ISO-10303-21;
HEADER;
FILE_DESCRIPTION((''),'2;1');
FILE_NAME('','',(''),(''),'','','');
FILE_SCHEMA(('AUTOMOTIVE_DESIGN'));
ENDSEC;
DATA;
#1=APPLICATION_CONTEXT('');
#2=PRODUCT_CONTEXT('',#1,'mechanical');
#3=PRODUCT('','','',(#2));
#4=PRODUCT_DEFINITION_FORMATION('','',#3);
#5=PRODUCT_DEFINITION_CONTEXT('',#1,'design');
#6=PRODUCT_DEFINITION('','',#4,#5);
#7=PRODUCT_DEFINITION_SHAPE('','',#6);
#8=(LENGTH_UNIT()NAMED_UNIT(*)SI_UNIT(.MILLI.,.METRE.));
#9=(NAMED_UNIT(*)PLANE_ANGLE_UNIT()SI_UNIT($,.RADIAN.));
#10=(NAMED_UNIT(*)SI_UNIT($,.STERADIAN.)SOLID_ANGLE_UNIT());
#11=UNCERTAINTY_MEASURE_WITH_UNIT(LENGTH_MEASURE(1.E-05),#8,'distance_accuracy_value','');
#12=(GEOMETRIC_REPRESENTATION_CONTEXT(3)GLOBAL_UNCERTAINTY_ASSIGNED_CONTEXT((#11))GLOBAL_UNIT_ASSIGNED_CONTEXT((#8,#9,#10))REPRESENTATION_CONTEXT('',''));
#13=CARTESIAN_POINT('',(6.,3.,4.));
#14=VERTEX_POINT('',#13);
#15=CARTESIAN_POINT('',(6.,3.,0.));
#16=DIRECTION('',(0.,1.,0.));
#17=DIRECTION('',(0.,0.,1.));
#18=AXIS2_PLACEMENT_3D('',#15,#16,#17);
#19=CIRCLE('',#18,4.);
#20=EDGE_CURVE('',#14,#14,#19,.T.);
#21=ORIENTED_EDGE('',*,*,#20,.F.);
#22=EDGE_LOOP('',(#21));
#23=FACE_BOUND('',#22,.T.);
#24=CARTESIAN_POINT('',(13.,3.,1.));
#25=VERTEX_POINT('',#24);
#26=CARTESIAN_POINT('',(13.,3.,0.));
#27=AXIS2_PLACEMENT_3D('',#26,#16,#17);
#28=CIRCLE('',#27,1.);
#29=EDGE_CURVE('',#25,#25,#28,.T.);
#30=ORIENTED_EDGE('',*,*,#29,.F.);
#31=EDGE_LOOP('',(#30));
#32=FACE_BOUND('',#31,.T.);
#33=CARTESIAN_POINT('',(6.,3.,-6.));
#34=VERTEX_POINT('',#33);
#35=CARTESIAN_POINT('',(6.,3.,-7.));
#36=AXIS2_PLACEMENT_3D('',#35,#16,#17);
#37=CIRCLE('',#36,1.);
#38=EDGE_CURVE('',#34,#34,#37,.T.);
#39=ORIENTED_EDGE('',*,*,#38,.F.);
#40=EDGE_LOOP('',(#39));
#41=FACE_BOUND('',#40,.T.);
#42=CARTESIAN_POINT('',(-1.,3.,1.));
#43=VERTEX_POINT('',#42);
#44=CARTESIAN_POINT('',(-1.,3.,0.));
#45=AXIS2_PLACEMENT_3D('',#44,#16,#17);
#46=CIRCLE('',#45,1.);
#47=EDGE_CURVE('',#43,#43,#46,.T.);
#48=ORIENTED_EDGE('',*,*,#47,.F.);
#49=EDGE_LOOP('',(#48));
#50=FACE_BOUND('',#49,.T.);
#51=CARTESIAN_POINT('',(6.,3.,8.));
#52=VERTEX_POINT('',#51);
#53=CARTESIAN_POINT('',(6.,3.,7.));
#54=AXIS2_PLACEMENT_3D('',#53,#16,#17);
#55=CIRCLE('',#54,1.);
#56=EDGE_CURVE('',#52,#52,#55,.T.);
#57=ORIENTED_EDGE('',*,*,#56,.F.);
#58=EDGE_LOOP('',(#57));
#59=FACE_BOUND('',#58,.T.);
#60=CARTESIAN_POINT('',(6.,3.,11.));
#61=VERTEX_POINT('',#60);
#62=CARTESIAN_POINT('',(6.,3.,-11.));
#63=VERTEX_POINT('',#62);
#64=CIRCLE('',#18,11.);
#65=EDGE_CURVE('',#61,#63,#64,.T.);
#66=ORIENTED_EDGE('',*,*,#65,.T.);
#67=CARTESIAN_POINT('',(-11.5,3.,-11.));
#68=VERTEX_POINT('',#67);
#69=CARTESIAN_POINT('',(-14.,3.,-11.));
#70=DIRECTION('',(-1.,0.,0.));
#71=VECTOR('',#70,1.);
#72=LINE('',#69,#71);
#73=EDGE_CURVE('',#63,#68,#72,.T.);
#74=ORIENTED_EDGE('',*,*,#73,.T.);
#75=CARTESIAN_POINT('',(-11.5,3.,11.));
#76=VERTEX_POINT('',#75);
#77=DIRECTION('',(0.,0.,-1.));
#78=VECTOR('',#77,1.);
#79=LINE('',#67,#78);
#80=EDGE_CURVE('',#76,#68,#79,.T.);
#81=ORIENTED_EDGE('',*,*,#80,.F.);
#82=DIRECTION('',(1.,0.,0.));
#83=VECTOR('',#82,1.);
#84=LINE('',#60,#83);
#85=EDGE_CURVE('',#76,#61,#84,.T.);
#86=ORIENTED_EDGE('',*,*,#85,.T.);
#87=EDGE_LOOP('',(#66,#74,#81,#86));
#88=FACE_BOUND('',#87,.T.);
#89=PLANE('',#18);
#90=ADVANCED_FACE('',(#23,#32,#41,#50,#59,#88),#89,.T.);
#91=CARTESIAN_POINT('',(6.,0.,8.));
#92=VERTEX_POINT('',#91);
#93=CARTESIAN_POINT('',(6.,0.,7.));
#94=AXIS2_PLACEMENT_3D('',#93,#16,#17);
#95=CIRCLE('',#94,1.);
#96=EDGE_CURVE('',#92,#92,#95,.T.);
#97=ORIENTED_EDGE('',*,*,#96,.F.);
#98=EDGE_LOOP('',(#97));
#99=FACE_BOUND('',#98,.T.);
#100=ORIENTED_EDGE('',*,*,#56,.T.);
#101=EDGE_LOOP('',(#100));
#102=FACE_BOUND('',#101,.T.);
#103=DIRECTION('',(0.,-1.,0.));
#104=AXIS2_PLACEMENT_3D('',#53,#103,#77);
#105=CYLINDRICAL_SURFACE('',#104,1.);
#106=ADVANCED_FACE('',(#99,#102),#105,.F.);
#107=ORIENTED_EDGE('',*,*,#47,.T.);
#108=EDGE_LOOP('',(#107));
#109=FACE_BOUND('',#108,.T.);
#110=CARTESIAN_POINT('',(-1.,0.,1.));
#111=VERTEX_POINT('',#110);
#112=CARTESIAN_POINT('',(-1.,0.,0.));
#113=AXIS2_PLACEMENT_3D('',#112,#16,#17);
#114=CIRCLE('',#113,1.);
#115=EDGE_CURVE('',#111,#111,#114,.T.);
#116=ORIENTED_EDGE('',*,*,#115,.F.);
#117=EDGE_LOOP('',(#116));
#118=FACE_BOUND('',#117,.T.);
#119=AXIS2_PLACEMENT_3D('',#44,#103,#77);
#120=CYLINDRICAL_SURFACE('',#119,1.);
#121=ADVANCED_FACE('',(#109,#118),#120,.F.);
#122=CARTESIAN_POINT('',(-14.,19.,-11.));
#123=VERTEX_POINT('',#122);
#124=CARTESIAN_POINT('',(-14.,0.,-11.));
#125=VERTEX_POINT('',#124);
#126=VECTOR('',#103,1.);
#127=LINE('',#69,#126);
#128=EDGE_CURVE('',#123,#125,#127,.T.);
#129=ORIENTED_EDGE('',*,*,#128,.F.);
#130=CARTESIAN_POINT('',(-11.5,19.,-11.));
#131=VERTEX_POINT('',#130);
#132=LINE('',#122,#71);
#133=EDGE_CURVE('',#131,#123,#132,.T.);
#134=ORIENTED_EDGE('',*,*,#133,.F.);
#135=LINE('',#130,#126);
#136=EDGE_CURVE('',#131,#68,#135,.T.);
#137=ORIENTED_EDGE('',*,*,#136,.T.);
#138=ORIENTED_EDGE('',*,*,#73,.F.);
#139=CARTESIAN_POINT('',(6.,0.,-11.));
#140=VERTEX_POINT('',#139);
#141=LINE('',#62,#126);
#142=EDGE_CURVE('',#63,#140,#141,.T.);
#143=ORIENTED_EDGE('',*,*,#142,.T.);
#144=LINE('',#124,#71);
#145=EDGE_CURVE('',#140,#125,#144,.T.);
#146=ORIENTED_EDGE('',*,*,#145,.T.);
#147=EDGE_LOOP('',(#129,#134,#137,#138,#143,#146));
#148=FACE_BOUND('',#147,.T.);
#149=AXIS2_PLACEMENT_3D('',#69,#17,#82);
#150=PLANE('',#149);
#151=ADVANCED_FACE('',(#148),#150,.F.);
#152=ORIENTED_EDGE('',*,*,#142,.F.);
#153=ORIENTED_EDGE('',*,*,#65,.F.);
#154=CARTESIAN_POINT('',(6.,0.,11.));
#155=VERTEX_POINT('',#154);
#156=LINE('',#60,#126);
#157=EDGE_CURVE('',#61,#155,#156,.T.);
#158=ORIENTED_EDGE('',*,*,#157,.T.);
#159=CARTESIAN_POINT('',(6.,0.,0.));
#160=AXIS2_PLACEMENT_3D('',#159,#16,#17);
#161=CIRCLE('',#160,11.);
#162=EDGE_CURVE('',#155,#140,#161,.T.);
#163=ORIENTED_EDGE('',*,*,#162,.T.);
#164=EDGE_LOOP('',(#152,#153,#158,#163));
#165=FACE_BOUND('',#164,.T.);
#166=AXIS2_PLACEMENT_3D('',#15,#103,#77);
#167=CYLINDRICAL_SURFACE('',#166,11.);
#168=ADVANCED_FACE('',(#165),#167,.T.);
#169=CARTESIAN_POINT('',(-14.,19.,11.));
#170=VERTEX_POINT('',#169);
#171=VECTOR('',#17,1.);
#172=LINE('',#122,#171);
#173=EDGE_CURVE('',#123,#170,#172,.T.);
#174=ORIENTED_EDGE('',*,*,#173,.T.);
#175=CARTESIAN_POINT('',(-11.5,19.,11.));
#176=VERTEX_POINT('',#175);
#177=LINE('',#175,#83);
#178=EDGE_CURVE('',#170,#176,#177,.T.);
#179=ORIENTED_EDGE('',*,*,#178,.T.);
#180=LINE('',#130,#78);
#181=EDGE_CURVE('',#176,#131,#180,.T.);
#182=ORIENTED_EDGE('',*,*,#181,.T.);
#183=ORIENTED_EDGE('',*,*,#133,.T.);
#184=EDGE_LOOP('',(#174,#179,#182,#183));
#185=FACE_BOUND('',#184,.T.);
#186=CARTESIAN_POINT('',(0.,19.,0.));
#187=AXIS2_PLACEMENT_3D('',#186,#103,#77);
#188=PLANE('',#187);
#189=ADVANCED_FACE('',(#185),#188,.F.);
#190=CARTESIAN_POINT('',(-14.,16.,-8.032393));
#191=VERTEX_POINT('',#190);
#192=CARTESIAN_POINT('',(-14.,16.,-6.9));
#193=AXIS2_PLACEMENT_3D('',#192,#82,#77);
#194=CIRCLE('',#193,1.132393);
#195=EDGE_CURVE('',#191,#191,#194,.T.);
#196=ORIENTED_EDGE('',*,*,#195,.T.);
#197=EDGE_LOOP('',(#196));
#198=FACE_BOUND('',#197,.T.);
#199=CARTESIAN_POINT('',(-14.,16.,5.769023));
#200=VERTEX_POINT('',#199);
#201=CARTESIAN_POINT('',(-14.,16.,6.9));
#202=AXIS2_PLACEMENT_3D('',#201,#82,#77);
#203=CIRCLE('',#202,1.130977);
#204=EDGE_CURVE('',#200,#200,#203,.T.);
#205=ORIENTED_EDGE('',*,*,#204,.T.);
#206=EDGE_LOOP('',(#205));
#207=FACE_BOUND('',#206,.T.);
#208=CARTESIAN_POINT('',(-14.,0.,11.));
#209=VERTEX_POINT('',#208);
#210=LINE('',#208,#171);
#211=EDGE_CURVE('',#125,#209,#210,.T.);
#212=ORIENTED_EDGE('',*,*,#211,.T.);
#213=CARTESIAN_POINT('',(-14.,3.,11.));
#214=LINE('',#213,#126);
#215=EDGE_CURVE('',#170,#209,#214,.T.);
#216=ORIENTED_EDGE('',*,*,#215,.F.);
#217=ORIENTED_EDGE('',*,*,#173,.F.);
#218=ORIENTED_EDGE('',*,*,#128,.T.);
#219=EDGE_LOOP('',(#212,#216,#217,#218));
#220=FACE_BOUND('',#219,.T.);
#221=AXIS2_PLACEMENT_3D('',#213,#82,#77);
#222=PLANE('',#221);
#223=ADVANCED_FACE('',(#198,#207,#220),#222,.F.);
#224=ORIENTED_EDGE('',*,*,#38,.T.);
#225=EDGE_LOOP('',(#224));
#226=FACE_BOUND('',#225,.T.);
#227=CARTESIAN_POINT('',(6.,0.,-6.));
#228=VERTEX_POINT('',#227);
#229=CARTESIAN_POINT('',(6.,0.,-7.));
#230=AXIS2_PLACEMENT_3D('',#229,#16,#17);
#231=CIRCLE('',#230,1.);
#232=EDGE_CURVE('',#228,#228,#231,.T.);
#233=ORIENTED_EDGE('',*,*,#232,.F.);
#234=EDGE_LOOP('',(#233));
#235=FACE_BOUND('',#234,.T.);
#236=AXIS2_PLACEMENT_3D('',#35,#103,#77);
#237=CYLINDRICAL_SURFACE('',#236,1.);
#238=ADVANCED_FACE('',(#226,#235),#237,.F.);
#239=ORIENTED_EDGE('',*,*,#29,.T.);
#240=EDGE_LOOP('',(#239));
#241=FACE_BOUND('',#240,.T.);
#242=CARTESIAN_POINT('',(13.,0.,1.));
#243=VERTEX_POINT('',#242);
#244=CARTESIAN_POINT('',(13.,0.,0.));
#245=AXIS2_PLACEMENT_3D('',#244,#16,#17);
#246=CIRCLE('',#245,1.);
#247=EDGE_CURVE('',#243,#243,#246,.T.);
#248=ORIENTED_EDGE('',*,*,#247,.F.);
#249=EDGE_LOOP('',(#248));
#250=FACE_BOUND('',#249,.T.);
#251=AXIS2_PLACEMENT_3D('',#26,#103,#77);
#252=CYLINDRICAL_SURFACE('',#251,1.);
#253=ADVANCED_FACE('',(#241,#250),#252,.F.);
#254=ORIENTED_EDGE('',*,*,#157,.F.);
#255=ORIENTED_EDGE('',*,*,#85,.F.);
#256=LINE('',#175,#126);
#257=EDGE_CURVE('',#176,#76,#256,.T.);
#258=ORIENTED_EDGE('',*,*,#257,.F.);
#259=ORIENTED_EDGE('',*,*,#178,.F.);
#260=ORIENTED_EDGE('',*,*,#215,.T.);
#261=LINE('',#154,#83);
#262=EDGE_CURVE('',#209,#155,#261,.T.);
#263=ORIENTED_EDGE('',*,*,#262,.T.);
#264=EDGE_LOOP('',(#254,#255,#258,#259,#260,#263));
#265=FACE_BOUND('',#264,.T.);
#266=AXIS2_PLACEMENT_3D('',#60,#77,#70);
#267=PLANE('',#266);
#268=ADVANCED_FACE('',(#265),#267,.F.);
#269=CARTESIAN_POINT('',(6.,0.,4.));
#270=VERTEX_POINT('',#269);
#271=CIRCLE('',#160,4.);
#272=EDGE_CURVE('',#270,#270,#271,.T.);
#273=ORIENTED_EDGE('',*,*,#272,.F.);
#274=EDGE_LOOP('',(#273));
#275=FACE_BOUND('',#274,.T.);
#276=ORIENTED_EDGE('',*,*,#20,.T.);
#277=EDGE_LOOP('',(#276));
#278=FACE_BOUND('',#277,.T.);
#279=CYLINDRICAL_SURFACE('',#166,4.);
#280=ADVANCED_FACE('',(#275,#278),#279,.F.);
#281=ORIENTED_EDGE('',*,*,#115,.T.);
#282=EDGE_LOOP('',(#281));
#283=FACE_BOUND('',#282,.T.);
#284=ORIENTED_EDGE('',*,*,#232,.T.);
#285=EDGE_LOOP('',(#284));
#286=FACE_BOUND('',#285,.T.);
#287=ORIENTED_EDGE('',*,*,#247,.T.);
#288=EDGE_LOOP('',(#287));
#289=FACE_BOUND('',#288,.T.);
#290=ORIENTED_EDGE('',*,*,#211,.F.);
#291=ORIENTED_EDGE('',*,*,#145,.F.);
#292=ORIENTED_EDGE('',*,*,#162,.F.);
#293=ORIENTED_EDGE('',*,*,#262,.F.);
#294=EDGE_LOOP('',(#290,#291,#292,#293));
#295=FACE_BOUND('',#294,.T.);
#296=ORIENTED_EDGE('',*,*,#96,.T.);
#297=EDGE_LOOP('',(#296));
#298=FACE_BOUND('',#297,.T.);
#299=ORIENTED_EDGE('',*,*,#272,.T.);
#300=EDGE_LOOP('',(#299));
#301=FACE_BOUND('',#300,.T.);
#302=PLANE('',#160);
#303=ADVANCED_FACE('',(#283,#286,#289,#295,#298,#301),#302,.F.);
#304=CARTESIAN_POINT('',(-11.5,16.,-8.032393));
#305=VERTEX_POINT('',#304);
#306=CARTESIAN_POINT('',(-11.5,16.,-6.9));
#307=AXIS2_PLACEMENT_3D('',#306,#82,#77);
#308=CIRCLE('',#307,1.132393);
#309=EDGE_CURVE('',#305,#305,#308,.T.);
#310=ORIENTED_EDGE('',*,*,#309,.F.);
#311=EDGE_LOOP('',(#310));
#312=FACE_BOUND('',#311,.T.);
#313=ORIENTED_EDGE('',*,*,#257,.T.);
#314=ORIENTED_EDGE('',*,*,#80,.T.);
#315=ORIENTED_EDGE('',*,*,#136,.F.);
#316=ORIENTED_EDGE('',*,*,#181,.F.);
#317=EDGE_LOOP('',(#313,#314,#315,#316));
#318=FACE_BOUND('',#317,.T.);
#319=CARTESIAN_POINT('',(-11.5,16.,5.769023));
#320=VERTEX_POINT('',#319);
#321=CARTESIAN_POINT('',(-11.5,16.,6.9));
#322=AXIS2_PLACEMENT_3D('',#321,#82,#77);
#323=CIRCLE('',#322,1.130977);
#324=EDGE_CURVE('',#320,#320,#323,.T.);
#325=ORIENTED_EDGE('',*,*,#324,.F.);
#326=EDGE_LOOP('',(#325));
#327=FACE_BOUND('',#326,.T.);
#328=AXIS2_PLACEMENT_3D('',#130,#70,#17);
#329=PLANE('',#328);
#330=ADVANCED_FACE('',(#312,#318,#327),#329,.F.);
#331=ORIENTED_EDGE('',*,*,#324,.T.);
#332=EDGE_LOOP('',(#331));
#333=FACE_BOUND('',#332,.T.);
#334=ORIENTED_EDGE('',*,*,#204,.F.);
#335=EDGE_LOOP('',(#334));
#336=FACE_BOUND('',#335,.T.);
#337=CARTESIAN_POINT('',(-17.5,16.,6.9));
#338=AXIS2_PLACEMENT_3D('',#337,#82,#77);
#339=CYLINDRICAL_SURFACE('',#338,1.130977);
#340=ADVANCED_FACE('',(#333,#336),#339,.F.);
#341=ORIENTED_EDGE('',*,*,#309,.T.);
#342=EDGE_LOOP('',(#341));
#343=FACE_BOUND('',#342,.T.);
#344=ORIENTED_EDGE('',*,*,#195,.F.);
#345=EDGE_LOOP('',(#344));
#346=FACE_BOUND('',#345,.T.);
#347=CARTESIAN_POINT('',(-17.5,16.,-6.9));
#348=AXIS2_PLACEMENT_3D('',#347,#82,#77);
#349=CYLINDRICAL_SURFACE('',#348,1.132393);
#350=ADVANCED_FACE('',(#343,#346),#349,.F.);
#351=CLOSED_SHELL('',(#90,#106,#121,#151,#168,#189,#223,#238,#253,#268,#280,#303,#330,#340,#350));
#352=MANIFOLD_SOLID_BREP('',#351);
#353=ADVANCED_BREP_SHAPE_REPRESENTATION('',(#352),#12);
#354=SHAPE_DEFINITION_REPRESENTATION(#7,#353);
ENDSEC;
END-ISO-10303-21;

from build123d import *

# Parameters (mm, degrees)
SKETCH1_R           = 1
SKETCH1_R_2         = 4
BOSS_EXTRUDE1_DEPTH = 3
SKETCH2_W           = 2.5
SKETCH2_H           = 22
BOSS_EXTRUDE2_DEPTH = 16
SKETCH3_R           = 1.132393425
SKETCH3_R_2         = 1.130977438
CUT_EXTRUDE1_DEPTH  = 6


with BuildPart() as part:
    # Sketch1 → Boss-Extrude1 (new body)
    with BuildSketch(Plane(origin=(0, 0, 0), x_dir=(1, 0, 0), z_dir=(0, 1, 0))):
        with BuildLine():
            Line((-14, -11), (-14, 11))
            Line((-14, 11), (6, 11))
            ThreePointArc((6, 11), (17, 0), (6, -11))
            Line((6, -11), (-14, -11))
        make_face()
        with Locations((6, -7)):
            Circle(SKETCH1_R, mode=Mode.SUBTRACT)
        with Locations((-1, 0)):
            Circle(SKETCH1_R, mode=Mode.SUBTRACT)
        with Locations((6, 0)):
            Circle(SKETCH1_R_2, mode=Mode.SUBTRACT)
        with Locations((13, 0)):
            Circle(SKETCH1_R, mode=Mode.SUBTRACT)
        with Locations((6, 7)):
            Circle(SKETCH1_R, mode=Mode.SUBTRACT)
    extrude(amount=BOSS_EXTRUDE1_DEPTH)

    # Sketch2 → Boss-Extrude2 (add)
    with BuildSketch(Plane(origin=(0, 3, 0), x_dir=(1, 0, 0), z_dir=(0, 1, 0))):
        with Locations((-12.75, 0)):
            Rectangle(SKETCH2_W, SKETCH2_H)
    extrude(amount=BOSS_EXTRUDE2_DEPTH)

    # Sketch3 → Cut-Extrude1 (cut)
    with BuildSketch(Plane(origin=(-11.5, 0, 0), x_dir=(0, 0, -1), z_dir=(1, 0, 0))):
        with Locations((6.9, 16)):
            Circle(SKETCH3_R)
        with Locations((-6.9, 16)):
            Circle(SKETCH3_R_2)
    extrude(amount=-CUT_EXTRUDE1_DEPTH, mode=Mode.SUBTRACT)


solid = part.part
